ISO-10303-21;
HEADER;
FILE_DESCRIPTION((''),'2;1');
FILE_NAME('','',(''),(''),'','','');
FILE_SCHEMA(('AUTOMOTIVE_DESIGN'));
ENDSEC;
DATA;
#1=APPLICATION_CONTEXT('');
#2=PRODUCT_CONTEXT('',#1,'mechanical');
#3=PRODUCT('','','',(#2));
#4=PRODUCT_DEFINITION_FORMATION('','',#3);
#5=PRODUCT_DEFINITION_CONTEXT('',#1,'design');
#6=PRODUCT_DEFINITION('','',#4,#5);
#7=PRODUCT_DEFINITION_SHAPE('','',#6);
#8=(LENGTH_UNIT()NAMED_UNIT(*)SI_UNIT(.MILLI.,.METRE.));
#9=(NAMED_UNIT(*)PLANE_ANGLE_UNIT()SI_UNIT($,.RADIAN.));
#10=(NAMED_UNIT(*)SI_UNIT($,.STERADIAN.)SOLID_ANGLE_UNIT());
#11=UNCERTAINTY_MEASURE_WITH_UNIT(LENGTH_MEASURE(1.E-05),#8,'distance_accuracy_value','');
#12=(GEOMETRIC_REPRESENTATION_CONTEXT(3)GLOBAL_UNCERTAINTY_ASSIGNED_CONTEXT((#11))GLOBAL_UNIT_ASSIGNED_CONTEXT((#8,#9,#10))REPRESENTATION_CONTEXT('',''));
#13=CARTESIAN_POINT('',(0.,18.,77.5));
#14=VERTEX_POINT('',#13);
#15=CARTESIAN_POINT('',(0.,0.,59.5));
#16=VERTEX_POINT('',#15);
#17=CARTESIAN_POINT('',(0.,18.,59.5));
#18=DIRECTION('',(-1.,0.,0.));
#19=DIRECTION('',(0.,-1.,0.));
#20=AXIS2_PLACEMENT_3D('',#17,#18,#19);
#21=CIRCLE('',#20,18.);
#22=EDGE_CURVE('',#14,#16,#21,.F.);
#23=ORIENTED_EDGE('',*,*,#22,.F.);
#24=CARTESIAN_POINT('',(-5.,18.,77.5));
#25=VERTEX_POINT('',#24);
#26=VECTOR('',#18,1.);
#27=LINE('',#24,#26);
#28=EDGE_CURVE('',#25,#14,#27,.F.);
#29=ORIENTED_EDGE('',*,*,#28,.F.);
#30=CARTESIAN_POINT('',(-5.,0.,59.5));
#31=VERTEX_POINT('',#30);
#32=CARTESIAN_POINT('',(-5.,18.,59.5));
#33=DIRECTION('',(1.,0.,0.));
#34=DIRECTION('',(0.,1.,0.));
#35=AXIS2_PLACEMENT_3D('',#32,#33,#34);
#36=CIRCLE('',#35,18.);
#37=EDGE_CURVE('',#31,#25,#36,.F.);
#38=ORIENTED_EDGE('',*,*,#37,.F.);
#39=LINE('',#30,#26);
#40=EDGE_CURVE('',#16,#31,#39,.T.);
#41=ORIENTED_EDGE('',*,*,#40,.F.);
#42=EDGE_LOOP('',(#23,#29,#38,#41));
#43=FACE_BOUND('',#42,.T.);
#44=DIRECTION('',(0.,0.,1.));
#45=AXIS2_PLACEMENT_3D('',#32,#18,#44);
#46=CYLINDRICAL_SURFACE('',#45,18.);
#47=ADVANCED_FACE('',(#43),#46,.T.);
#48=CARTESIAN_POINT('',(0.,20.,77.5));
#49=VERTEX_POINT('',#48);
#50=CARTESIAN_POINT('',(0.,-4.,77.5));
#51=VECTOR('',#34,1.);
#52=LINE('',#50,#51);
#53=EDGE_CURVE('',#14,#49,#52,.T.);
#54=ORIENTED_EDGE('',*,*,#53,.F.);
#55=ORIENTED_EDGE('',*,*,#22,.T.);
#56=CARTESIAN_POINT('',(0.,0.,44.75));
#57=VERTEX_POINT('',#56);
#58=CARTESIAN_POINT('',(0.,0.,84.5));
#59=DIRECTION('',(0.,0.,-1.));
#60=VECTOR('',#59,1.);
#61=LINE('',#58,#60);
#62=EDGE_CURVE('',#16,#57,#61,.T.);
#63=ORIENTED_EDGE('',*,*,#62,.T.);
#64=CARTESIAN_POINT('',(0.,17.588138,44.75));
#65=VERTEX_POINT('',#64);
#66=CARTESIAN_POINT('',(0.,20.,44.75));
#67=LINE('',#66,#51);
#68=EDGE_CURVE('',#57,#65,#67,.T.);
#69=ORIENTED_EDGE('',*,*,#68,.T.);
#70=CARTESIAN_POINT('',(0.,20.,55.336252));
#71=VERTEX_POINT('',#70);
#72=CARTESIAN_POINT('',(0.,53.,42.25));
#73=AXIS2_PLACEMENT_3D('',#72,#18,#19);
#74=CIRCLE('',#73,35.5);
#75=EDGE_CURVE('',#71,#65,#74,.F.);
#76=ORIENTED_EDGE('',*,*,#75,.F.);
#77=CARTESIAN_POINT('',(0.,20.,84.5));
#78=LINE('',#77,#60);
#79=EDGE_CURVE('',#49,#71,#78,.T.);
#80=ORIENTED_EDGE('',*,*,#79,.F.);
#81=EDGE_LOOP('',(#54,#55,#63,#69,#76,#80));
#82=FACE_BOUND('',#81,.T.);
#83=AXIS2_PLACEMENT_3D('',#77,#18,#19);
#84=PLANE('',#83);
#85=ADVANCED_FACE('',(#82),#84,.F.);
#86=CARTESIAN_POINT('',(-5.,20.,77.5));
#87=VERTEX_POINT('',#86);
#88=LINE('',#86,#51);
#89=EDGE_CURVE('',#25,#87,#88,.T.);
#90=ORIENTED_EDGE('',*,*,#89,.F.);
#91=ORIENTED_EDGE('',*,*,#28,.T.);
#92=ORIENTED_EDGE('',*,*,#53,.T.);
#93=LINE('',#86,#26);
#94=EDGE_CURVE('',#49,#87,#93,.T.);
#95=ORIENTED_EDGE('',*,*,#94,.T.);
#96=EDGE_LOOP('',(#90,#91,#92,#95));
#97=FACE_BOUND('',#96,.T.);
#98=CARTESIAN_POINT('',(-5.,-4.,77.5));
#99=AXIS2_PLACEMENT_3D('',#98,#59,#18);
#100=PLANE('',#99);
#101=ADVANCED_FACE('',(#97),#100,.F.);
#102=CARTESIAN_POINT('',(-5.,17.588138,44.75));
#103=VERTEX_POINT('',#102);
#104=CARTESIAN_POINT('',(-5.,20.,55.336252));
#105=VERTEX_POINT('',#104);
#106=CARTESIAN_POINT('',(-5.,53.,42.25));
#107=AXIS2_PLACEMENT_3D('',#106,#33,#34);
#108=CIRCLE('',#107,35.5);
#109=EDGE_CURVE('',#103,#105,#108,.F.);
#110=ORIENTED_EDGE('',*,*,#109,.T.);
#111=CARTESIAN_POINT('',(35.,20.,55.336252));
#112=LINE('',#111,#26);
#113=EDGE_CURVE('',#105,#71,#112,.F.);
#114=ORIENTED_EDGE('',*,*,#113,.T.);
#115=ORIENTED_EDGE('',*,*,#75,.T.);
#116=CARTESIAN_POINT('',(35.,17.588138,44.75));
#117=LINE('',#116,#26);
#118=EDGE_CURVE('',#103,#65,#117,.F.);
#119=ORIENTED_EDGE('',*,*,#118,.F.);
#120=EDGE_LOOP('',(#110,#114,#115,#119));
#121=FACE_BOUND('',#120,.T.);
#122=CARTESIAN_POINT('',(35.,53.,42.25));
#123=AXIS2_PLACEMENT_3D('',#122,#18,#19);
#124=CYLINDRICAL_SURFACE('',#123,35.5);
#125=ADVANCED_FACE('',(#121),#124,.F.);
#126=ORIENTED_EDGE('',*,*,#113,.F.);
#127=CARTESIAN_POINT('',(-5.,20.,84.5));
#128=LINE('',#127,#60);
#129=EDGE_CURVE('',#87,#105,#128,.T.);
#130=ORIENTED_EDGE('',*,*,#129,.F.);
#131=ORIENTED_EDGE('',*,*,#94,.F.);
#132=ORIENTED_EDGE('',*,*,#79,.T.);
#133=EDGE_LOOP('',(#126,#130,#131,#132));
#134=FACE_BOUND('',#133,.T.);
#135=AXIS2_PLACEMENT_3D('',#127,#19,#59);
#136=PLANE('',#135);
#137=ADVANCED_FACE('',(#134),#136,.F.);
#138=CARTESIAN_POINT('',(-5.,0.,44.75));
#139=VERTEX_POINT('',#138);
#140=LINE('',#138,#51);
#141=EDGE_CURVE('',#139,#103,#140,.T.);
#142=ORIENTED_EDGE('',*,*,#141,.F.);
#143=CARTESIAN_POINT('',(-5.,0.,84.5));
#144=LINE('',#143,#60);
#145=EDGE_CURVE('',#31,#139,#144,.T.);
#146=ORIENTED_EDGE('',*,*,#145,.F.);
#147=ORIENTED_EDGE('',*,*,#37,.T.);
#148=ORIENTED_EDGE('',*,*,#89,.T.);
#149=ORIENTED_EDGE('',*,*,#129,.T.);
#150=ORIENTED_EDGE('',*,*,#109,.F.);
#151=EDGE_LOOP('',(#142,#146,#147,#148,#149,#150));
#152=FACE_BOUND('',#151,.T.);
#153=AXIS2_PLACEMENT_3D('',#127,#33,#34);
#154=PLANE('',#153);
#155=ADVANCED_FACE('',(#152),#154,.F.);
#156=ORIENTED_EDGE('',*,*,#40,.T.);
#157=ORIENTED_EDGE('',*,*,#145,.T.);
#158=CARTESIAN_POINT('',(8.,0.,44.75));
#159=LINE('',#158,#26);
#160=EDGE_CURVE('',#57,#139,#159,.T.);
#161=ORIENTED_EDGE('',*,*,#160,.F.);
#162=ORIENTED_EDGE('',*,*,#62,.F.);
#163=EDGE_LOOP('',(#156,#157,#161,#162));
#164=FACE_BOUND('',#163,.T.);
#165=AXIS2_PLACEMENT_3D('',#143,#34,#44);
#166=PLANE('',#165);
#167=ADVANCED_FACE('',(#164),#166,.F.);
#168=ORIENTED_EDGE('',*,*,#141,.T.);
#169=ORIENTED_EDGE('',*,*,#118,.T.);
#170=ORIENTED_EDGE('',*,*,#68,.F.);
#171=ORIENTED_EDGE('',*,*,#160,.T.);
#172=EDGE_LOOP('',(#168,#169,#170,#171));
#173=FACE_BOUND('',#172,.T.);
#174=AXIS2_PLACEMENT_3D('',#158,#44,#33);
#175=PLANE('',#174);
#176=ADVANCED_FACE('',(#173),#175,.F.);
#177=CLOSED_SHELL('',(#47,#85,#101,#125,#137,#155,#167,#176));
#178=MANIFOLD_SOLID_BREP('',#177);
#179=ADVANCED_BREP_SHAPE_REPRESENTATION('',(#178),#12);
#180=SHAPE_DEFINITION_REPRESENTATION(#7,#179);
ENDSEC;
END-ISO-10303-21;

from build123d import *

# Parameters (mm, degrees)
SKETCH1_W               = 5
SKETCH1_H               = 20
BOSS_EXTRUDE1_DEPTH     = 84.5
CUT_EXTRUDE2_DEPTH      = 35
CUT_EXTRUDE2_DEPTH_BACK = 35
SKETCH5_R               = 35.5
SKETCH2_W               = 5
SKETCH2_H               = 20
CUT_EXTRUDE3_DEPTH      = 13
SKETCH8_W               = 39.75
SKETCH8_H               = 20
CUT_EXTRUDE4_DEPTH      = 13
SKETCH9_W               = 5
SKETCH9_H               = 7
CUT_EXTRUDE5_DEPTH      = 24
FILLET1_R               = 18


with BuildPart() as part:
    # Sketch1 → Boss-Extrude1 (new body)
    with BuildSketch(Plane.XY):
        with Locations((-2.5, 10)):
            Rectangle(SKETCH1_W, SKETCH1_H)
    extrude(amount=BOSS_EXTRUDE1_DEPTH)

    # Sketch5 → Cut-Extrude2 (cut, two sides: drawn at the far end of the back side and taken through both)
    with BuildSketch(Plane(origin=(0, 0, 0), x_dir=(0, 0, -1), z_dir=(1, 0, 0)).offset(-CUT_EXTRUDE2_DEPTH_BACK)):
        with Locations((-42.25, 53)):
            Circle(SKETCH5_R)
    extrude(amount=CUT_EXTRUDE2_DEPTH + CUT_EXTRUDE2_DEPTH_BACK, mode=Mode.SUBTRACT)

    # Sketch2 → Cut-Extrude3 (cut)
    with BuildSketch(Plane.ZY.offset(5)):
        with Locations((42.25, 10)):
            Rectangle(SKETCH2_W, SKETCH2_H)
    extrude(amount=-CUT_EXTRUDE3_DEPTH, mode=Mode.SUBTRACT)


with BuildPart() as cut_extrude3_piece_1:
    # of the separate pieces the step leaves, piece 1, a body of its own (cut_extrude3_pieces)
    add(part.part.solids().sort_by_distance((0, 0, 44.75))[0])

    # Sketch9 → Cut-Extrude5 (cut)
    with BuildSketch(Plane(origin=(0, 20, 0), x_dir=(1, 0, 0), z_dir=(0, 1, 0))):
        with Locations((-2.5, -81)):
            Rectangle(SKETCH9_W, SKETCH9_H)
    extrude(amount=-CUT_EXTRUDE5_DEPTH, mode=Mode.SUBTRACT)

    # Fillet1
    fillet1_edges = [cut_extrude3_piece_1.edges().sort_by_distance(p)[0] for p in [
        (-2.5, 0, 77.5),
    ]]
    fillet(fillet1_edges, radius=FILLET1_R)


with BuildPart() as cut_extrude3_piece_2:
    # of the separate pieces the step leaves, piece 2, a body of its own (cut_extrude3_pieces)
    add(part.part.solids().sort_by_distance((-5, 20, 0))[0])

    # Sketch8 → Cut-Extrude4 (cut)
    with BuildSketch(Plane.ZY.offset(5)):
        with Locations((19.875, 10)):
            Rectangle(SKETCH8_W, SKETCH8_H)
    extrude(amount=-CUT_EXTRUDE4_DEPTH, mode=Mode.SUBTRACT)


solid = cut_extrude3_piece_1.part
